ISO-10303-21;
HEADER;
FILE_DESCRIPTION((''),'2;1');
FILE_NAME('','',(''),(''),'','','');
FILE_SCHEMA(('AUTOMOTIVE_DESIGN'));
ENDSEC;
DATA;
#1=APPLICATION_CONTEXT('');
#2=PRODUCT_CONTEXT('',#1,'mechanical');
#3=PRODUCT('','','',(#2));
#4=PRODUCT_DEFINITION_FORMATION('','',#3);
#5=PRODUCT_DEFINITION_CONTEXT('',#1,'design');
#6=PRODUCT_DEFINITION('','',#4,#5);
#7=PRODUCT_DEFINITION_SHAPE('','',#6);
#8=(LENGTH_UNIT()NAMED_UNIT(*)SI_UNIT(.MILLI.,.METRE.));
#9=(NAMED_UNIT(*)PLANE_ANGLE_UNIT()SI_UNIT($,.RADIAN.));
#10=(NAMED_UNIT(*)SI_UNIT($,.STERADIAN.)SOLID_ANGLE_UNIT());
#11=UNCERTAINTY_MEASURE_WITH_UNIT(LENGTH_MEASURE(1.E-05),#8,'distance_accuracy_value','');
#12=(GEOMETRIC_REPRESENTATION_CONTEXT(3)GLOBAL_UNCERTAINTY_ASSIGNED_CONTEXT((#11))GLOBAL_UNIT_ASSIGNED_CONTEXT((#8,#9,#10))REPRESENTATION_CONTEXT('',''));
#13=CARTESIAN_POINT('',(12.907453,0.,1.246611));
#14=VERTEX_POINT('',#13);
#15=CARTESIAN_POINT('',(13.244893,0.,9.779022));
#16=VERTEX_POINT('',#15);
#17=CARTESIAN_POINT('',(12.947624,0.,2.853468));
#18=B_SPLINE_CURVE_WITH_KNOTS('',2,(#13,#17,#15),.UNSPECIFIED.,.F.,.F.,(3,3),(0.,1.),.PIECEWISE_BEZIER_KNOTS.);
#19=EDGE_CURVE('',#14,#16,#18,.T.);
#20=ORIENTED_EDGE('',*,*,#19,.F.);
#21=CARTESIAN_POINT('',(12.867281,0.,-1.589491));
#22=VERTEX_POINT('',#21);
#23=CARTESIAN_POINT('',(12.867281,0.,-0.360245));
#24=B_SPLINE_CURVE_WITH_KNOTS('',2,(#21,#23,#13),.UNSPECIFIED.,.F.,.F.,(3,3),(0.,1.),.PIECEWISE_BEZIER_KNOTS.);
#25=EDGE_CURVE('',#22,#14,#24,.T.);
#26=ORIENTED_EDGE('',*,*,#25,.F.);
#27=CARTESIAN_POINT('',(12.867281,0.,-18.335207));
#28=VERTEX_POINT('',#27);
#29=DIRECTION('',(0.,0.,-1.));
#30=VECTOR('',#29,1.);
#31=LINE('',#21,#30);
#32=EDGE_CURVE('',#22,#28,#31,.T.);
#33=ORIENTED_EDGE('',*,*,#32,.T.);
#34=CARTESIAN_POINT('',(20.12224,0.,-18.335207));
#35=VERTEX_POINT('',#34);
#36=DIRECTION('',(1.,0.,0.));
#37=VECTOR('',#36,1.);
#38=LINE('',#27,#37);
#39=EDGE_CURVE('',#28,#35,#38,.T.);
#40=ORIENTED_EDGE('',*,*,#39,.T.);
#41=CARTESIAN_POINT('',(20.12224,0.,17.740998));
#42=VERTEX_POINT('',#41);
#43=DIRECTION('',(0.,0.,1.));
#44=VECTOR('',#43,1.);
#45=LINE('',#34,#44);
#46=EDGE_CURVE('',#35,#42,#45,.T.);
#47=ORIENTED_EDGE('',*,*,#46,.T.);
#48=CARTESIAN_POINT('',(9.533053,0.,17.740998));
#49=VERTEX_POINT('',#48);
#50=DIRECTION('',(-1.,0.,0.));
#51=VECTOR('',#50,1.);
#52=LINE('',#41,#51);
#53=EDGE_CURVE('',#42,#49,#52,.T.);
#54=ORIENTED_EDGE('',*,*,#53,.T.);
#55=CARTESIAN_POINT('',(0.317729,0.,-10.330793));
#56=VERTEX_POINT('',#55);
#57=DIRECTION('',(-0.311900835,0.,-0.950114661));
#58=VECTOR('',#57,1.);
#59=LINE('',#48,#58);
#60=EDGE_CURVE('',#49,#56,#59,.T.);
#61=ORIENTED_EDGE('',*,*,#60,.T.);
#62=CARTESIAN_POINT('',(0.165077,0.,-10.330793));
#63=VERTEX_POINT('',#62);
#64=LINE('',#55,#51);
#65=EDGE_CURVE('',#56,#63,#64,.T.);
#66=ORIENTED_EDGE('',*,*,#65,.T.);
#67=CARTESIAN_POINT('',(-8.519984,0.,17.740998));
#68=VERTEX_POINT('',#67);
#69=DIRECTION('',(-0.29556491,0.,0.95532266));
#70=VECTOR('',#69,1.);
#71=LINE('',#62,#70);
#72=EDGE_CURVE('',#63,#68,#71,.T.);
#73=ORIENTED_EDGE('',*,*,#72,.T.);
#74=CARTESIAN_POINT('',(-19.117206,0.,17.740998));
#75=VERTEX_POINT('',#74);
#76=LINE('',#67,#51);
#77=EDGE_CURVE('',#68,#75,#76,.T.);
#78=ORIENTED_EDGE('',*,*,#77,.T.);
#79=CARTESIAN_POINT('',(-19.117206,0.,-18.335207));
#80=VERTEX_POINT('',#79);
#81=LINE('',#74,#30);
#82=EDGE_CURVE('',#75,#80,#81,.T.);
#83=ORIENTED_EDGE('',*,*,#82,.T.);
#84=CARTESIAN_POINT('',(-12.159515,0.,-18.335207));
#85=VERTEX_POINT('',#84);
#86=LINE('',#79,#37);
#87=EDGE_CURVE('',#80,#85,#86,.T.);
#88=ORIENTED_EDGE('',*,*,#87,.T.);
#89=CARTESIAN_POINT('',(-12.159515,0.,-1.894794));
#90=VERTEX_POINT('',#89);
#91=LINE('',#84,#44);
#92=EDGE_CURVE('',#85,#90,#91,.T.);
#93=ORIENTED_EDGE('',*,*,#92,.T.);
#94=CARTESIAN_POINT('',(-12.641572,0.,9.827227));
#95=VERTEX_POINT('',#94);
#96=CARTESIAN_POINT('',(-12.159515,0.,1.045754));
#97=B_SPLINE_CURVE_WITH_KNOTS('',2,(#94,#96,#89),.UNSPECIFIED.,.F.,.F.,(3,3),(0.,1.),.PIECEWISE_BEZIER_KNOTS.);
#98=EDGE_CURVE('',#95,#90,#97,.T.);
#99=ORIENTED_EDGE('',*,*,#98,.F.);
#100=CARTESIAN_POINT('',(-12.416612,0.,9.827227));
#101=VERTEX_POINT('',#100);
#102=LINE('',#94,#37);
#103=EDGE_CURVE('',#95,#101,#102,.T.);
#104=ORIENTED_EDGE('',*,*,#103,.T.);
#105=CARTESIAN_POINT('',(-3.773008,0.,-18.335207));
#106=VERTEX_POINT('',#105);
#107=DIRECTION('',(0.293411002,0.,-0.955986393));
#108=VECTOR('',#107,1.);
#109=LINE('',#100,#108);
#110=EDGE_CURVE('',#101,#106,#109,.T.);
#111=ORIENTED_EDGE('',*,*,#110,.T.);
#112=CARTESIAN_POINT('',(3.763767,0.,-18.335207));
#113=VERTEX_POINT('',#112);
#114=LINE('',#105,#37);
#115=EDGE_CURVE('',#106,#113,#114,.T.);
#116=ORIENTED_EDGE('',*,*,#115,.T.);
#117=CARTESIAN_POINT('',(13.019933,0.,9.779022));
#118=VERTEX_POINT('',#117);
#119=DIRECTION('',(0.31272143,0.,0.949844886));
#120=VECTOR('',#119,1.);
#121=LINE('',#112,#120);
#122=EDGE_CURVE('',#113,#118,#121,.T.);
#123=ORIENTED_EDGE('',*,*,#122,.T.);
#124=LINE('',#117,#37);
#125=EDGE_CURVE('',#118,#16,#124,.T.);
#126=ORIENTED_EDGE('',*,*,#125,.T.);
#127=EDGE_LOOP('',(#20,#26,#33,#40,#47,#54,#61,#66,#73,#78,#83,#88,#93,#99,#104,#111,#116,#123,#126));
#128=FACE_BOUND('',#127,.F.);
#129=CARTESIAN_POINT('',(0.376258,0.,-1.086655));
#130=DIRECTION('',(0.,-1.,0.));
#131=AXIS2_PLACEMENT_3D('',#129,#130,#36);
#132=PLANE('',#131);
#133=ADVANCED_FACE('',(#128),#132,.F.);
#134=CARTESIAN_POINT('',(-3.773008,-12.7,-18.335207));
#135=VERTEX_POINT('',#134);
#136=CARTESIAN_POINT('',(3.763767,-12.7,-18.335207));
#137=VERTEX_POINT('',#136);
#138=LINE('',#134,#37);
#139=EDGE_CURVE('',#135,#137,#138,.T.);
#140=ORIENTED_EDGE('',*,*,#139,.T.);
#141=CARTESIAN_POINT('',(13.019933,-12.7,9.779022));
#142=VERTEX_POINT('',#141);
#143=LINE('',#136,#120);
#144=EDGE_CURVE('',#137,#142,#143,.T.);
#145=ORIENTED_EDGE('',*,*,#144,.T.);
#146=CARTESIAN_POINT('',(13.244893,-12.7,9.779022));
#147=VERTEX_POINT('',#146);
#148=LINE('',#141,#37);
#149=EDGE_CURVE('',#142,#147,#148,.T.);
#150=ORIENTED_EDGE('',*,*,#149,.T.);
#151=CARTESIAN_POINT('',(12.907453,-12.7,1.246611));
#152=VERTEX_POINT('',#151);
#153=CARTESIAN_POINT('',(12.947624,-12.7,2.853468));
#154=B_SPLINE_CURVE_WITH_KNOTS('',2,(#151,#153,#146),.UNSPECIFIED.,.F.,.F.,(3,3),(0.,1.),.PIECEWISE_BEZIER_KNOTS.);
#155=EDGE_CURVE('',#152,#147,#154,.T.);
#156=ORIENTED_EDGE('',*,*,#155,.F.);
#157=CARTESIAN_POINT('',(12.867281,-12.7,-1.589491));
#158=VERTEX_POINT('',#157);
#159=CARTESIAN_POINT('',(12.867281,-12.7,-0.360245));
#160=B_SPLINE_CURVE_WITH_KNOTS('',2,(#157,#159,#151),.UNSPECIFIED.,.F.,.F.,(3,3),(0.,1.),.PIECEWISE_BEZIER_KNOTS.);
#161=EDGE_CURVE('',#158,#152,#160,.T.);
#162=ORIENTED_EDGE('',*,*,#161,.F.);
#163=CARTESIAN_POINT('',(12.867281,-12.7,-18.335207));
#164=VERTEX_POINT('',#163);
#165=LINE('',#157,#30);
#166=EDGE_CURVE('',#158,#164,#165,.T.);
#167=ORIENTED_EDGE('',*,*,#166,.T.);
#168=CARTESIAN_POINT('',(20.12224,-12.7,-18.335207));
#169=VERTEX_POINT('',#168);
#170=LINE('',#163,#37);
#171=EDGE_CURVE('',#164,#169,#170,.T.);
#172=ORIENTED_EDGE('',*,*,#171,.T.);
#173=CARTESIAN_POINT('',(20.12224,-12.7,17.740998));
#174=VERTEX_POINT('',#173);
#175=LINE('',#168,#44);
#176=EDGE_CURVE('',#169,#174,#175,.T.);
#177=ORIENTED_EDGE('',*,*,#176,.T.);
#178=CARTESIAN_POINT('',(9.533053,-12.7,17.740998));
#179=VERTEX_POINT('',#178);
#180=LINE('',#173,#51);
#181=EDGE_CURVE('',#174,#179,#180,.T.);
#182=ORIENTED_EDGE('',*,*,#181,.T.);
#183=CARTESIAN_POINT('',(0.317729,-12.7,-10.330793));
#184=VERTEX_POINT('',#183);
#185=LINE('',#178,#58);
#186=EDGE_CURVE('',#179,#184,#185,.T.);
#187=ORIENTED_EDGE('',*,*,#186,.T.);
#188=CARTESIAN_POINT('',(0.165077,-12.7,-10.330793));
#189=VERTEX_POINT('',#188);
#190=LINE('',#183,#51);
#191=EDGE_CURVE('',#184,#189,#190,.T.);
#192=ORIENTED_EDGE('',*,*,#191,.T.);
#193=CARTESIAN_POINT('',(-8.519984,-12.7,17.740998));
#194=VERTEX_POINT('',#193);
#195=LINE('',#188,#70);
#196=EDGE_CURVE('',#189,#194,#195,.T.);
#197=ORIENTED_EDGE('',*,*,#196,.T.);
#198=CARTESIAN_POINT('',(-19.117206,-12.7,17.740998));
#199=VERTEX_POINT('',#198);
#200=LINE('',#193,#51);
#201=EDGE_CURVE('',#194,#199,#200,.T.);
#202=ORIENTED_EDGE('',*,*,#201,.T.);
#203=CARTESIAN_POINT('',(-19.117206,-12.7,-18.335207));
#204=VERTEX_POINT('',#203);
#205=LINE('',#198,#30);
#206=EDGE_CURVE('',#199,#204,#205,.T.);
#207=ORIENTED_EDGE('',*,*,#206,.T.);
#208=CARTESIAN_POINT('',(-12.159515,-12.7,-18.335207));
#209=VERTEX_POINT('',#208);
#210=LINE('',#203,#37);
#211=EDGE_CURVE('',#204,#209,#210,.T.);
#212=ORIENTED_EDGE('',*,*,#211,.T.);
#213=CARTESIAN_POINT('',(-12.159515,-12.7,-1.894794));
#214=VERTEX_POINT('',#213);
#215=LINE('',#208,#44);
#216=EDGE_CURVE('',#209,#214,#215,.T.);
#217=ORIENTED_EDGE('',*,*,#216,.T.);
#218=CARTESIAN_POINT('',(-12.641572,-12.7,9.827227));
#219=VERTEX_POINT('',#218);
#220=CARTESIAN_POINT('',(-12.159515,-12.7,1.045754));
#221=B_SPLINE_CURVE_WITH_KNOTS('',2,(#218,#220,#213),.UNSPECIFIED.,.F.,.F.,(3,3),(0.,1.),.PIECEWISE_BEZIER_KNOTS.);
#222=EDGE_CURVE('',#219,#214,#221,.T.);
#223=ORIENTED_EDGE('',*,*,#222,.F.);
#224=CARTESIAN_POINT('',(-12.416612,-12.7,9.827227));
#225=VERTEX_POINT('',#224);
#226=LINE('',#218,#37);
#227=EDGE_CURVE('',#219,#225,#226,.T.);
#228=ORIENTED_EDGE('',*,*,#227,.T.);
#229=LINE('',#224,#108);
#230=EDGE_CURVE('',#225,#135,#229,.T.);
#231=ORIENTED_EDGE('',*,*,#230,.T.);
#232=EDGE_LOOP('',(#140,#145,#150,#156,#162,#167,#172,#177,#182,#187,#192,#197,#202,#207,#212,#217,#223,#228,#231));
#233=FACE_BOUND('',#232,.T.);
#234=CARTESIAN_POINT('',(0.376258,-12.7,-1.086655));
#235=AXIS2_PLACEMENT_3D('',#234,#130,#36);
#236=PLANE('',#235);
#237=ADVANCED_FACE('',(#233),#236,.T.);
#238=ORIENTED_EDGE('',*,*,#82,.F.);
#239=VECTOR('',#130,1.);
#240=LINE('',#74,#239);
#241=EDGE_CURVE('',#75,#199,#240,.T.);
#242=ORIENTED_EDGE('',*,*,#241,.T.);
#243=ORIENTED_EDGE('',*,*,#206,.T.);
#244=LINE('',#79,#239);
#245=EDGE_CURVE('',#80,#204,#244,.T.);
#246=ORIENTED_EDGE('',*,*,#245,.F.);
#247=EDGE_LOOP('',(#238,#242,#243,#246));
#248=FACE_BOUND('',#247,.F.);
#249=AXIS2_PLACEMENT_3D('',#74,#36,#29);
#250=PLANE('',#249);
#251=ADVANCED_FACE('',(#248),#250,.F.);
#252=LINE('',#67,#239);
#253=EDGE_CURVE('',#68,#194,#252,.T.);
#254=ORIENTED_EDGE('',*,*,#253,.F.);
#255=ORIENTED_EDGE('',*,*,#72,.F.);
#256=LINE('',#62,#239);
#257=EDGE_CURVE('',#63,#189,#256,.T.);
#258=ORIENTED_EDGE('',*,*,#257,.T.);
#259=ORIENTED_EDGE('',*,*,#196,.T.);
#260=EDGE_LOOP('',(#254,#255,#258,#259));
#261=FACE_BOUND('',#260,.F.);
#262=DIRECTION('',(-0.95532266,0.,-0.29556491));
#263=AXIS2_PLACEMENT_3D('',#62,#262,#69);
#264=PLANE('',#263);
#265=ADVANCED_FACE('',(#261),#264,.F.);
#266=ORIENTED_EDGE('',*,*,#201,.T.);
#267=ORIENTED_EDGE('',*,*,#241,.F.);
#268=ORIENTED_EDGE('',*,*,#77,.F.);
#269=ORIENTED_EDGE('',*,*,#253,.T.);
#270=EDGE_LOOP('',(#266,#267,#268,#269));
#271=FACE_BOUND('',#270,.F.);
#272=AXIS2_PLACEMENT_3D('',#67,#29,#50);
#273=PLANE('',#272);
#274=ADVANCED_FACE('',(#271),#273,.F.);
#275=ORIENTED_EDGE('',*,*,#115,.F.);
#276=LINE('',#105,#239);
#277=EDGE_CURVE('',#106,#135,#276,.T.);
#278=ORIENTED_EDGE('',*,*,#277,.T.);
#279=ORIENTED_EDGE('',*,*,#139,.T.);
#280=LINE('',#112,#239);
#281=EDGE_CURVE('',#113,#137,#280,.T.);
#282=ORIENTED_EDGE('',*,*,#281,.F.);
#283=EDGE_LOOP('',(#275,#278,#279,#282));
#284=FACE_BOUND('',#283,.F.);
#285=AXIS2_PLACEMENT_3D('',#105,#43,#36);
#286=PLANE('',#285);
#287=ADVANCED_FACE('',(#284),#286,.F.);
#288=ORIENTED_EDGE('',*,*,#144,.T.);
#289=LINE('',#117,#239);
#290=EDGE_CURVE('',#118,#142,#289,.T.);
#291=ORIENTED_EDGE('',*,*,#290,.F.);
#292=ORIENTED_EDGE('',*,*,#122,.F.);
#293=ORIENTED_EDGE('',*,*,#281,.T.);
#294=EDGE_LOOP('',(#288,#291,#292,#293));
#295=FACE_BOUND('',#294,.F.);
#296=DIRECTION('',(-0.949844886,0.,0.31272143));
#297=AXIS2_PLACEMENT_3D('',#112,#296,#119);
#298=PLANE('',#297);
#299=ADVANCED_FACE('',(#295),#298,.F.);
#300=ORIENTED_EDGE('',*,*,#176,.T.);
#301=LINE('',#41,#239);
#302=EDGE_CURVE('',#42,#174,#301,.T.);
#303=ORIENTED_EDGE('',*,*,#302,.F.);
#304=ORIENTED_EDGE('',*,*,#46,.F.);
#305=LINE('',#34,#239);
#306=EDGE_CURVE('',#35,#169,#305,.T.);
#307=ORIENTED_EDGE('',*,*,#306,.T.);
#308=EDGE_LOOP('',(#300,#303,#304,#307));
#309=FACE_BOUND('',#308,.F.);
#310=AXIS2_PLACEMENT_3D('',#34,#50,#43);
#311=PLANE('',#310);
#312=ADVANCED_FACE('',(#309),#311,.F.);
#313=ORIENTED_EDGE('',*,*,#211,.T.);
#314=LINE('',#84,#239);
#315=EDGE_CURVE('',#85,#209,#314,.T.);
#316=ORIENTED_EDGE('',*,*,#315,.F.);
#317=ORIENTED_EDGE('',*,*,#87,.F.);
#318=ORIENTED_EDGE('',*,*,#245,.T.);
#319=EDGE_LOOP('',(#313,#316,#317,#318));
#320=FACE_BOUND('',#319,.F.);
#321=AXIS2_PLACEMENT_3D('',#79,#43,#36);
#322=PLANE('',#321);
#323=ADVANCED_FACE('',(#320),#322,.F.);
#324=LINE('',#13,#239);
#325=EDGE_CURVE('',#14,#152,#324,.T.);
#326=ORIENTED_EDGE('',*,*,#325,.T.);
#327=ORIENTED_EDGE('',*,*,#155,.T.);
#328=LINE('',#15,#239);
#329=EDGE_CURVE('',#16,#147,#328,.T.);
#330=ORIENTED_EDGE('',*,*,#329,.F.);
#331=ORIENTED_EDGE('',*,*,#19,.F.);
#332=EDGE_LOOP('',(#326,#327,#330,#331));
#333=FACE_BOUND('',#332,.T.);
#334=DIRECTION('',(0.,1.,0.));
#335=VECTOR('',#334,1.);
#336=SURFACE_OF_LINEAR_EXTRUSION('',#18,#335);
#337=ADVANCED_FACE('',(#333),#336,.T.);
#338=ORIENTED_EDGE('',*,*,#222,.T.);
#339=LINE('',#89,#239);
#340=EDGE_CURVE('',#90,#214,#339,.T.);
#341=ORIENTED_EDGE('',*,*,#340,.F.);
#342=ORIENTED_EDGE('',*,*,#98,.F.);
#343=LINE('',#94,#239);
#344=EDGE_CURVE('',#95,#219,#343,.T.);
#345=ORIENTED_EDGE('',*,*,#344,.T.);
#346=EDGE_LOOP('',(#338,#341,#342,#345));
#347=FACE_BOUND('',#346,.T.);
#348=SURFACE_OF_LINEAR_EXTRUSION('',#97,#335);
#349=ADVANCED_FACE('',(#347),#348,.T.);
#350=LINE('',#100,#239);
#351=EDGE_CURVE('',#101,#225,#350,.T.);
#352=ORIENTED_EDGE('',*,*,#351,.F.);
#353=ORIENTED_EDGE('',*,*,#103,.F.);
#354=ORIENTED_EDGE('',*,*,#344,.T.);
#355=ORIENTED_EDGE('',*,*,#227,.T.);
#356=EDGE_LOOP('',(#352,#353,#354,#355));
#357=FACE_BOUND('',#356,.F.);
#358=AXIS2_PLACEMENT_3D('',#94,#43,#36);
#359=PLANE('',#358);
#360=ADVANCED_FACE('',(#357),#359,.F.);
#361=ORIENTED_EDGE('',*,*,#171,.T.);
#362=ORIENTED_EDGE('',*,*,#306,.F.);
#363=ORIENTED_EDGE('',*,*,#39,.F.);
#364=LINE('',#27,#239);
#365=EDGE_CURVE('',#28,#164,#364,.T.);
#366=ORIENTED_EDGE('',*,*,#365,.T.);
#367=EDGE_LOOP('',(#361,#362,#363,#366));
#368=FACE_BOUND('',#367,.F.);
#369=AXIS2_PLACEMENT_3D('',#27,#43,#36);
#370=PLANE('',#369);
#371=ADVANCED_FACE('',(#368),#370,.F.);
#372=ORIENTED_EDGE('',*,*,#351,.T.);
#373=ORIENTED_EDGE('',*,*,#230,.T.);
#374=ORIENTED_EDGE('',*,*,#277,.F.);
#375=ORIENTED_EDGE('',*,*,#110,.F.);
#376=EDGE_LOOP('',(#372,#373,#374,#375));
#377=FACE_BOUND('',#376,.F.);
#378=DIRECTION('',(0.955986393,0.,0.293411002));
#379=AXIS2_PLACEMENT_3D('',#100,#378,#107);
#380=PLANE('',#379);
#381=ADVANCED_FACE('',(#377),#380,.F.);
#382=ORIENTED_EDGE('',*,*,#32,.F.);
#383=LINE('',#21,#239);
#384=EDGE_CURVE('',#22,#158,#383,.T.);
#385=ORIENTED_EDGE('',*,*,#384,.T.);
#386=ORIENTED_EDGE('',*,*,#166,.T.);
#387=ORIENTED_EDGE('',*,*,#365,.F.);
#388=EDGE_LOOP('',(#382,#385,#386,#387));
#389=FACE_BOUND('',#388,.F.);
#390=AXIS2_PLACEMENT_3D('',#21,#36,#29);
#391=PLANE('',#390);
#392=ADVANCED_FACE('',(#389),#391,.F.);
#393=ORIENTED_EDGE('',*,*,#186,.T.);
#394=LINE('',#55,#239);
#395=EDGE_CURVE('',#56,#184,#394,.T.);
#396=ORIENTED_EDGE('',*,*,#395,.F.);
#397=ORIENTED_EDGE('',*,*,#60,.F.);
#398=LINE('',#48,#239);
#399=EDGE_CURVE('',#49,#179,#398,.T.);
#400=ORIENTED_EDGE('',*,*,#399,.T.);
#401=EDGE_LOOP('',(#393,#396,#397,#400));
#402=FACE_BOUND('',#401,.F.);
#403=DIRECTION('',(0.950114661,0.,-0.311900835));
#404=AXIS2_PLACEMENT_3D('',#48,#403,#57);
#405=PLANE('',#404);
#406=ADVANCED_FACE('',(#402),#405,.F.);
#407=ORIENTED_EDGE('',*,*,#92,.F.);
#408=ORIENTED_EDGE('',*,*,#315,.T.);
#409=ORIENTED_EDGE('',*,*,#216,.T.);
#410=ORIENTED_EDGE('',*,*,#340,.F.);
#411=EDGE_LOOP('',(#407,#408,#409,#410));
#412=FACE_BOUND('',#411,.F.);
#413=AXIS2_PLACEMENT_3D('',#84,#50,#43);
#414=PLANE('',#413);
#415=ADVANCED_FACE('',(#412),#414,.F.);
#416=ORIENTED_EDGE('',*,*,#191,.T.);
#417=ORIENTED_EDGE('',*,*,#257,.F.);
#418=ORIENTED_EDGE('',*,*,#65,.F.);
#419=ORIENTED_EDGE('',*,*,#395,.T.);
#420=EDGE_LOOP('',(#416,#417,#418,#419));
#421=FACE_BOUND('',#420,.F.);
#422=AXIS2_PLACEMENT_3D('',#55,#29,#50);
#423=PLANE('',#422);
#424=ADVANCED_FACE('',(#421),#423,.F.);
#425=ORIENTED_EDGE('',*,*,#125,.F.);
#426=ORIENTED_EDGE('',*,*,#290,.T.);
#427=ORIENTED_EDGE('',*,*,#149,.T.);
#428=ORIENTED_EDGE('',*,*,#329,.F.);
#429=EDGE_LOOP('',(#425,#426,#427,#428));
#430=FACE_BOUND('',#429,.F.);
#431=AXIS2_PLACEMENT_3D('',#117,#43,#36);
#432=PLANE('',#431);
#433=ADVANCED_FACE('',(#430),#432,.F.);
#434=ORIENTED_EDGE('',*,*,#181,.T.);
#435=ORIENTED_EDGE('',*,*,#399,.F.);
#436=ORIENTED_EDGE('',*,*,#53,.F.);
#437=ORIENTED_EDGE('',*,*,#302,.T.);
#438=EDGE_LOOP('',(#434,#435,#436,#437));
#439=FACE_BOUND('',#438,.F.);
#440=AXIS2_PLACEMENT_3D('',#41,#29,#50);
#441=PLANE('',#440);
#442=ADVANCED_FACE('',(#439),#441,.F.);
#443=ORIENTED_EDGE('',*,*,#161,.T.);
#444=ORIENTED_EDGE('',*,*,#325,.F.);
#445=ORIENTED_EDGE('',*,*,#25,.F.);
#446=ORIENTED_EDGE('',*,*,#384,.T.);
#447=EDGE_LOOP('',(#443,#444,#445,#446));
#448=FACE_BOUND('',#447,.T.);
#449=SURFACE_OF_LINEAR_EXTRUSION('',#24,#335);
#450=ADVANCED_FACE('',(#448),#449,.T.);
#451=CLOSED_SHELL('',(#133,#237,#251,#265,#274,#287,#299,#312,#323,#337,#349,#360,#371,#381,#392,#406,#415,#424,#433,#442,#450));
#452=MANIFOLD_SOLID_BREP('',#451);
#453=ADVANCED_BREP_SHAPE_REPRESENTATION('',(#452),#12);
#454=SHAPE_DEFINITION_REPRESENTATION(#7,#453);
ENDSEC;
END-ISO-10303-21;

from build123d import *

# Parameters (mm, degrees)
F1_DEPTH = 12.7


with BuildPart() as f1:
    # F0 (on Front) → F1 (new body)
    with BuildSketch(Plane.XZ):
        with BuildLine():
            Line((12.8672812231, -18.3352071258), (20.1222402126, -18.3352071258))
            Line((20.1222402126, -18.3352071258), (20.1222402126, 17.7409976968))
            Line((20.1222402126, 17.7409976968), (9.5330531161, 17.7409976968))
            Line((9.5330531161, 17.7409976968), (0.3177286853, -10.330792679))
            Line((0.3177286853, -10.330792679), (0.165077278, -10.330792679))
            Line((0.165077278, -10.330792679), (-8.5199843694, 17.7409976968))
            Line((-8.5199843694, 17.7409976968), (-19.1172057506, 17.7409976968))
            Line((-19.1172057506, 17.7409976968), (-19.1172057506, -18.3352071258))
            Line((-19.1172057506, -18.3352071258), (-12.1595152911, -18.3352071258))
            Line((-12.1595152911, -18.3352071258), (-12.1595152911, -1.894793854))
            add(Edge.make_bspline(
                [(-12.6415723668, 9.8272273705), (-12.1595152911, 1.0457543079), (-12.1595152911, -1.894793854)],
                knots=[0, 0, 0, 1, 1, 1], degree=2))
            Line((-12.6415723668, 9.8272273705), (-12.4166123981, 9.8272273705))
            Line((-12.4166123981, 9.8272273705), (-3.7730080605, -18.3352071258))
            Line((-3.7730080605, -18.3352071258), (3.763766752, -18.3352071258))
            Line((3.763766752, -18.3352071258), (13.0199326304, 9.7790216629))
            Line((13.0199326304, 9.7790216629), (13.2448925991, 9.7790216629))
            add(Edge.make_bspline(
                [(12.9074526461, 1.2466114228), (12.9476240691, 2.8534683418), (13.2448925991, 9.7790216629)],
                knots=[0, 0, 0, 1, 1, 1], degree=2))
            add(Edge.make_bspline(
                [(12.8672812231, -1.5894910393), (12.8672812231, -0.3602454963), (12.9074526461, 1.2466114228)],
                knots=[0, 0, 0, 1, 1, 1], degree=2))
            Line((12.8672812231, -1.5894910393), (12.8672812231, -18.3352071258))
        make_face()
    extrude(amount=F1_DEPTH)


solid = f1.part
